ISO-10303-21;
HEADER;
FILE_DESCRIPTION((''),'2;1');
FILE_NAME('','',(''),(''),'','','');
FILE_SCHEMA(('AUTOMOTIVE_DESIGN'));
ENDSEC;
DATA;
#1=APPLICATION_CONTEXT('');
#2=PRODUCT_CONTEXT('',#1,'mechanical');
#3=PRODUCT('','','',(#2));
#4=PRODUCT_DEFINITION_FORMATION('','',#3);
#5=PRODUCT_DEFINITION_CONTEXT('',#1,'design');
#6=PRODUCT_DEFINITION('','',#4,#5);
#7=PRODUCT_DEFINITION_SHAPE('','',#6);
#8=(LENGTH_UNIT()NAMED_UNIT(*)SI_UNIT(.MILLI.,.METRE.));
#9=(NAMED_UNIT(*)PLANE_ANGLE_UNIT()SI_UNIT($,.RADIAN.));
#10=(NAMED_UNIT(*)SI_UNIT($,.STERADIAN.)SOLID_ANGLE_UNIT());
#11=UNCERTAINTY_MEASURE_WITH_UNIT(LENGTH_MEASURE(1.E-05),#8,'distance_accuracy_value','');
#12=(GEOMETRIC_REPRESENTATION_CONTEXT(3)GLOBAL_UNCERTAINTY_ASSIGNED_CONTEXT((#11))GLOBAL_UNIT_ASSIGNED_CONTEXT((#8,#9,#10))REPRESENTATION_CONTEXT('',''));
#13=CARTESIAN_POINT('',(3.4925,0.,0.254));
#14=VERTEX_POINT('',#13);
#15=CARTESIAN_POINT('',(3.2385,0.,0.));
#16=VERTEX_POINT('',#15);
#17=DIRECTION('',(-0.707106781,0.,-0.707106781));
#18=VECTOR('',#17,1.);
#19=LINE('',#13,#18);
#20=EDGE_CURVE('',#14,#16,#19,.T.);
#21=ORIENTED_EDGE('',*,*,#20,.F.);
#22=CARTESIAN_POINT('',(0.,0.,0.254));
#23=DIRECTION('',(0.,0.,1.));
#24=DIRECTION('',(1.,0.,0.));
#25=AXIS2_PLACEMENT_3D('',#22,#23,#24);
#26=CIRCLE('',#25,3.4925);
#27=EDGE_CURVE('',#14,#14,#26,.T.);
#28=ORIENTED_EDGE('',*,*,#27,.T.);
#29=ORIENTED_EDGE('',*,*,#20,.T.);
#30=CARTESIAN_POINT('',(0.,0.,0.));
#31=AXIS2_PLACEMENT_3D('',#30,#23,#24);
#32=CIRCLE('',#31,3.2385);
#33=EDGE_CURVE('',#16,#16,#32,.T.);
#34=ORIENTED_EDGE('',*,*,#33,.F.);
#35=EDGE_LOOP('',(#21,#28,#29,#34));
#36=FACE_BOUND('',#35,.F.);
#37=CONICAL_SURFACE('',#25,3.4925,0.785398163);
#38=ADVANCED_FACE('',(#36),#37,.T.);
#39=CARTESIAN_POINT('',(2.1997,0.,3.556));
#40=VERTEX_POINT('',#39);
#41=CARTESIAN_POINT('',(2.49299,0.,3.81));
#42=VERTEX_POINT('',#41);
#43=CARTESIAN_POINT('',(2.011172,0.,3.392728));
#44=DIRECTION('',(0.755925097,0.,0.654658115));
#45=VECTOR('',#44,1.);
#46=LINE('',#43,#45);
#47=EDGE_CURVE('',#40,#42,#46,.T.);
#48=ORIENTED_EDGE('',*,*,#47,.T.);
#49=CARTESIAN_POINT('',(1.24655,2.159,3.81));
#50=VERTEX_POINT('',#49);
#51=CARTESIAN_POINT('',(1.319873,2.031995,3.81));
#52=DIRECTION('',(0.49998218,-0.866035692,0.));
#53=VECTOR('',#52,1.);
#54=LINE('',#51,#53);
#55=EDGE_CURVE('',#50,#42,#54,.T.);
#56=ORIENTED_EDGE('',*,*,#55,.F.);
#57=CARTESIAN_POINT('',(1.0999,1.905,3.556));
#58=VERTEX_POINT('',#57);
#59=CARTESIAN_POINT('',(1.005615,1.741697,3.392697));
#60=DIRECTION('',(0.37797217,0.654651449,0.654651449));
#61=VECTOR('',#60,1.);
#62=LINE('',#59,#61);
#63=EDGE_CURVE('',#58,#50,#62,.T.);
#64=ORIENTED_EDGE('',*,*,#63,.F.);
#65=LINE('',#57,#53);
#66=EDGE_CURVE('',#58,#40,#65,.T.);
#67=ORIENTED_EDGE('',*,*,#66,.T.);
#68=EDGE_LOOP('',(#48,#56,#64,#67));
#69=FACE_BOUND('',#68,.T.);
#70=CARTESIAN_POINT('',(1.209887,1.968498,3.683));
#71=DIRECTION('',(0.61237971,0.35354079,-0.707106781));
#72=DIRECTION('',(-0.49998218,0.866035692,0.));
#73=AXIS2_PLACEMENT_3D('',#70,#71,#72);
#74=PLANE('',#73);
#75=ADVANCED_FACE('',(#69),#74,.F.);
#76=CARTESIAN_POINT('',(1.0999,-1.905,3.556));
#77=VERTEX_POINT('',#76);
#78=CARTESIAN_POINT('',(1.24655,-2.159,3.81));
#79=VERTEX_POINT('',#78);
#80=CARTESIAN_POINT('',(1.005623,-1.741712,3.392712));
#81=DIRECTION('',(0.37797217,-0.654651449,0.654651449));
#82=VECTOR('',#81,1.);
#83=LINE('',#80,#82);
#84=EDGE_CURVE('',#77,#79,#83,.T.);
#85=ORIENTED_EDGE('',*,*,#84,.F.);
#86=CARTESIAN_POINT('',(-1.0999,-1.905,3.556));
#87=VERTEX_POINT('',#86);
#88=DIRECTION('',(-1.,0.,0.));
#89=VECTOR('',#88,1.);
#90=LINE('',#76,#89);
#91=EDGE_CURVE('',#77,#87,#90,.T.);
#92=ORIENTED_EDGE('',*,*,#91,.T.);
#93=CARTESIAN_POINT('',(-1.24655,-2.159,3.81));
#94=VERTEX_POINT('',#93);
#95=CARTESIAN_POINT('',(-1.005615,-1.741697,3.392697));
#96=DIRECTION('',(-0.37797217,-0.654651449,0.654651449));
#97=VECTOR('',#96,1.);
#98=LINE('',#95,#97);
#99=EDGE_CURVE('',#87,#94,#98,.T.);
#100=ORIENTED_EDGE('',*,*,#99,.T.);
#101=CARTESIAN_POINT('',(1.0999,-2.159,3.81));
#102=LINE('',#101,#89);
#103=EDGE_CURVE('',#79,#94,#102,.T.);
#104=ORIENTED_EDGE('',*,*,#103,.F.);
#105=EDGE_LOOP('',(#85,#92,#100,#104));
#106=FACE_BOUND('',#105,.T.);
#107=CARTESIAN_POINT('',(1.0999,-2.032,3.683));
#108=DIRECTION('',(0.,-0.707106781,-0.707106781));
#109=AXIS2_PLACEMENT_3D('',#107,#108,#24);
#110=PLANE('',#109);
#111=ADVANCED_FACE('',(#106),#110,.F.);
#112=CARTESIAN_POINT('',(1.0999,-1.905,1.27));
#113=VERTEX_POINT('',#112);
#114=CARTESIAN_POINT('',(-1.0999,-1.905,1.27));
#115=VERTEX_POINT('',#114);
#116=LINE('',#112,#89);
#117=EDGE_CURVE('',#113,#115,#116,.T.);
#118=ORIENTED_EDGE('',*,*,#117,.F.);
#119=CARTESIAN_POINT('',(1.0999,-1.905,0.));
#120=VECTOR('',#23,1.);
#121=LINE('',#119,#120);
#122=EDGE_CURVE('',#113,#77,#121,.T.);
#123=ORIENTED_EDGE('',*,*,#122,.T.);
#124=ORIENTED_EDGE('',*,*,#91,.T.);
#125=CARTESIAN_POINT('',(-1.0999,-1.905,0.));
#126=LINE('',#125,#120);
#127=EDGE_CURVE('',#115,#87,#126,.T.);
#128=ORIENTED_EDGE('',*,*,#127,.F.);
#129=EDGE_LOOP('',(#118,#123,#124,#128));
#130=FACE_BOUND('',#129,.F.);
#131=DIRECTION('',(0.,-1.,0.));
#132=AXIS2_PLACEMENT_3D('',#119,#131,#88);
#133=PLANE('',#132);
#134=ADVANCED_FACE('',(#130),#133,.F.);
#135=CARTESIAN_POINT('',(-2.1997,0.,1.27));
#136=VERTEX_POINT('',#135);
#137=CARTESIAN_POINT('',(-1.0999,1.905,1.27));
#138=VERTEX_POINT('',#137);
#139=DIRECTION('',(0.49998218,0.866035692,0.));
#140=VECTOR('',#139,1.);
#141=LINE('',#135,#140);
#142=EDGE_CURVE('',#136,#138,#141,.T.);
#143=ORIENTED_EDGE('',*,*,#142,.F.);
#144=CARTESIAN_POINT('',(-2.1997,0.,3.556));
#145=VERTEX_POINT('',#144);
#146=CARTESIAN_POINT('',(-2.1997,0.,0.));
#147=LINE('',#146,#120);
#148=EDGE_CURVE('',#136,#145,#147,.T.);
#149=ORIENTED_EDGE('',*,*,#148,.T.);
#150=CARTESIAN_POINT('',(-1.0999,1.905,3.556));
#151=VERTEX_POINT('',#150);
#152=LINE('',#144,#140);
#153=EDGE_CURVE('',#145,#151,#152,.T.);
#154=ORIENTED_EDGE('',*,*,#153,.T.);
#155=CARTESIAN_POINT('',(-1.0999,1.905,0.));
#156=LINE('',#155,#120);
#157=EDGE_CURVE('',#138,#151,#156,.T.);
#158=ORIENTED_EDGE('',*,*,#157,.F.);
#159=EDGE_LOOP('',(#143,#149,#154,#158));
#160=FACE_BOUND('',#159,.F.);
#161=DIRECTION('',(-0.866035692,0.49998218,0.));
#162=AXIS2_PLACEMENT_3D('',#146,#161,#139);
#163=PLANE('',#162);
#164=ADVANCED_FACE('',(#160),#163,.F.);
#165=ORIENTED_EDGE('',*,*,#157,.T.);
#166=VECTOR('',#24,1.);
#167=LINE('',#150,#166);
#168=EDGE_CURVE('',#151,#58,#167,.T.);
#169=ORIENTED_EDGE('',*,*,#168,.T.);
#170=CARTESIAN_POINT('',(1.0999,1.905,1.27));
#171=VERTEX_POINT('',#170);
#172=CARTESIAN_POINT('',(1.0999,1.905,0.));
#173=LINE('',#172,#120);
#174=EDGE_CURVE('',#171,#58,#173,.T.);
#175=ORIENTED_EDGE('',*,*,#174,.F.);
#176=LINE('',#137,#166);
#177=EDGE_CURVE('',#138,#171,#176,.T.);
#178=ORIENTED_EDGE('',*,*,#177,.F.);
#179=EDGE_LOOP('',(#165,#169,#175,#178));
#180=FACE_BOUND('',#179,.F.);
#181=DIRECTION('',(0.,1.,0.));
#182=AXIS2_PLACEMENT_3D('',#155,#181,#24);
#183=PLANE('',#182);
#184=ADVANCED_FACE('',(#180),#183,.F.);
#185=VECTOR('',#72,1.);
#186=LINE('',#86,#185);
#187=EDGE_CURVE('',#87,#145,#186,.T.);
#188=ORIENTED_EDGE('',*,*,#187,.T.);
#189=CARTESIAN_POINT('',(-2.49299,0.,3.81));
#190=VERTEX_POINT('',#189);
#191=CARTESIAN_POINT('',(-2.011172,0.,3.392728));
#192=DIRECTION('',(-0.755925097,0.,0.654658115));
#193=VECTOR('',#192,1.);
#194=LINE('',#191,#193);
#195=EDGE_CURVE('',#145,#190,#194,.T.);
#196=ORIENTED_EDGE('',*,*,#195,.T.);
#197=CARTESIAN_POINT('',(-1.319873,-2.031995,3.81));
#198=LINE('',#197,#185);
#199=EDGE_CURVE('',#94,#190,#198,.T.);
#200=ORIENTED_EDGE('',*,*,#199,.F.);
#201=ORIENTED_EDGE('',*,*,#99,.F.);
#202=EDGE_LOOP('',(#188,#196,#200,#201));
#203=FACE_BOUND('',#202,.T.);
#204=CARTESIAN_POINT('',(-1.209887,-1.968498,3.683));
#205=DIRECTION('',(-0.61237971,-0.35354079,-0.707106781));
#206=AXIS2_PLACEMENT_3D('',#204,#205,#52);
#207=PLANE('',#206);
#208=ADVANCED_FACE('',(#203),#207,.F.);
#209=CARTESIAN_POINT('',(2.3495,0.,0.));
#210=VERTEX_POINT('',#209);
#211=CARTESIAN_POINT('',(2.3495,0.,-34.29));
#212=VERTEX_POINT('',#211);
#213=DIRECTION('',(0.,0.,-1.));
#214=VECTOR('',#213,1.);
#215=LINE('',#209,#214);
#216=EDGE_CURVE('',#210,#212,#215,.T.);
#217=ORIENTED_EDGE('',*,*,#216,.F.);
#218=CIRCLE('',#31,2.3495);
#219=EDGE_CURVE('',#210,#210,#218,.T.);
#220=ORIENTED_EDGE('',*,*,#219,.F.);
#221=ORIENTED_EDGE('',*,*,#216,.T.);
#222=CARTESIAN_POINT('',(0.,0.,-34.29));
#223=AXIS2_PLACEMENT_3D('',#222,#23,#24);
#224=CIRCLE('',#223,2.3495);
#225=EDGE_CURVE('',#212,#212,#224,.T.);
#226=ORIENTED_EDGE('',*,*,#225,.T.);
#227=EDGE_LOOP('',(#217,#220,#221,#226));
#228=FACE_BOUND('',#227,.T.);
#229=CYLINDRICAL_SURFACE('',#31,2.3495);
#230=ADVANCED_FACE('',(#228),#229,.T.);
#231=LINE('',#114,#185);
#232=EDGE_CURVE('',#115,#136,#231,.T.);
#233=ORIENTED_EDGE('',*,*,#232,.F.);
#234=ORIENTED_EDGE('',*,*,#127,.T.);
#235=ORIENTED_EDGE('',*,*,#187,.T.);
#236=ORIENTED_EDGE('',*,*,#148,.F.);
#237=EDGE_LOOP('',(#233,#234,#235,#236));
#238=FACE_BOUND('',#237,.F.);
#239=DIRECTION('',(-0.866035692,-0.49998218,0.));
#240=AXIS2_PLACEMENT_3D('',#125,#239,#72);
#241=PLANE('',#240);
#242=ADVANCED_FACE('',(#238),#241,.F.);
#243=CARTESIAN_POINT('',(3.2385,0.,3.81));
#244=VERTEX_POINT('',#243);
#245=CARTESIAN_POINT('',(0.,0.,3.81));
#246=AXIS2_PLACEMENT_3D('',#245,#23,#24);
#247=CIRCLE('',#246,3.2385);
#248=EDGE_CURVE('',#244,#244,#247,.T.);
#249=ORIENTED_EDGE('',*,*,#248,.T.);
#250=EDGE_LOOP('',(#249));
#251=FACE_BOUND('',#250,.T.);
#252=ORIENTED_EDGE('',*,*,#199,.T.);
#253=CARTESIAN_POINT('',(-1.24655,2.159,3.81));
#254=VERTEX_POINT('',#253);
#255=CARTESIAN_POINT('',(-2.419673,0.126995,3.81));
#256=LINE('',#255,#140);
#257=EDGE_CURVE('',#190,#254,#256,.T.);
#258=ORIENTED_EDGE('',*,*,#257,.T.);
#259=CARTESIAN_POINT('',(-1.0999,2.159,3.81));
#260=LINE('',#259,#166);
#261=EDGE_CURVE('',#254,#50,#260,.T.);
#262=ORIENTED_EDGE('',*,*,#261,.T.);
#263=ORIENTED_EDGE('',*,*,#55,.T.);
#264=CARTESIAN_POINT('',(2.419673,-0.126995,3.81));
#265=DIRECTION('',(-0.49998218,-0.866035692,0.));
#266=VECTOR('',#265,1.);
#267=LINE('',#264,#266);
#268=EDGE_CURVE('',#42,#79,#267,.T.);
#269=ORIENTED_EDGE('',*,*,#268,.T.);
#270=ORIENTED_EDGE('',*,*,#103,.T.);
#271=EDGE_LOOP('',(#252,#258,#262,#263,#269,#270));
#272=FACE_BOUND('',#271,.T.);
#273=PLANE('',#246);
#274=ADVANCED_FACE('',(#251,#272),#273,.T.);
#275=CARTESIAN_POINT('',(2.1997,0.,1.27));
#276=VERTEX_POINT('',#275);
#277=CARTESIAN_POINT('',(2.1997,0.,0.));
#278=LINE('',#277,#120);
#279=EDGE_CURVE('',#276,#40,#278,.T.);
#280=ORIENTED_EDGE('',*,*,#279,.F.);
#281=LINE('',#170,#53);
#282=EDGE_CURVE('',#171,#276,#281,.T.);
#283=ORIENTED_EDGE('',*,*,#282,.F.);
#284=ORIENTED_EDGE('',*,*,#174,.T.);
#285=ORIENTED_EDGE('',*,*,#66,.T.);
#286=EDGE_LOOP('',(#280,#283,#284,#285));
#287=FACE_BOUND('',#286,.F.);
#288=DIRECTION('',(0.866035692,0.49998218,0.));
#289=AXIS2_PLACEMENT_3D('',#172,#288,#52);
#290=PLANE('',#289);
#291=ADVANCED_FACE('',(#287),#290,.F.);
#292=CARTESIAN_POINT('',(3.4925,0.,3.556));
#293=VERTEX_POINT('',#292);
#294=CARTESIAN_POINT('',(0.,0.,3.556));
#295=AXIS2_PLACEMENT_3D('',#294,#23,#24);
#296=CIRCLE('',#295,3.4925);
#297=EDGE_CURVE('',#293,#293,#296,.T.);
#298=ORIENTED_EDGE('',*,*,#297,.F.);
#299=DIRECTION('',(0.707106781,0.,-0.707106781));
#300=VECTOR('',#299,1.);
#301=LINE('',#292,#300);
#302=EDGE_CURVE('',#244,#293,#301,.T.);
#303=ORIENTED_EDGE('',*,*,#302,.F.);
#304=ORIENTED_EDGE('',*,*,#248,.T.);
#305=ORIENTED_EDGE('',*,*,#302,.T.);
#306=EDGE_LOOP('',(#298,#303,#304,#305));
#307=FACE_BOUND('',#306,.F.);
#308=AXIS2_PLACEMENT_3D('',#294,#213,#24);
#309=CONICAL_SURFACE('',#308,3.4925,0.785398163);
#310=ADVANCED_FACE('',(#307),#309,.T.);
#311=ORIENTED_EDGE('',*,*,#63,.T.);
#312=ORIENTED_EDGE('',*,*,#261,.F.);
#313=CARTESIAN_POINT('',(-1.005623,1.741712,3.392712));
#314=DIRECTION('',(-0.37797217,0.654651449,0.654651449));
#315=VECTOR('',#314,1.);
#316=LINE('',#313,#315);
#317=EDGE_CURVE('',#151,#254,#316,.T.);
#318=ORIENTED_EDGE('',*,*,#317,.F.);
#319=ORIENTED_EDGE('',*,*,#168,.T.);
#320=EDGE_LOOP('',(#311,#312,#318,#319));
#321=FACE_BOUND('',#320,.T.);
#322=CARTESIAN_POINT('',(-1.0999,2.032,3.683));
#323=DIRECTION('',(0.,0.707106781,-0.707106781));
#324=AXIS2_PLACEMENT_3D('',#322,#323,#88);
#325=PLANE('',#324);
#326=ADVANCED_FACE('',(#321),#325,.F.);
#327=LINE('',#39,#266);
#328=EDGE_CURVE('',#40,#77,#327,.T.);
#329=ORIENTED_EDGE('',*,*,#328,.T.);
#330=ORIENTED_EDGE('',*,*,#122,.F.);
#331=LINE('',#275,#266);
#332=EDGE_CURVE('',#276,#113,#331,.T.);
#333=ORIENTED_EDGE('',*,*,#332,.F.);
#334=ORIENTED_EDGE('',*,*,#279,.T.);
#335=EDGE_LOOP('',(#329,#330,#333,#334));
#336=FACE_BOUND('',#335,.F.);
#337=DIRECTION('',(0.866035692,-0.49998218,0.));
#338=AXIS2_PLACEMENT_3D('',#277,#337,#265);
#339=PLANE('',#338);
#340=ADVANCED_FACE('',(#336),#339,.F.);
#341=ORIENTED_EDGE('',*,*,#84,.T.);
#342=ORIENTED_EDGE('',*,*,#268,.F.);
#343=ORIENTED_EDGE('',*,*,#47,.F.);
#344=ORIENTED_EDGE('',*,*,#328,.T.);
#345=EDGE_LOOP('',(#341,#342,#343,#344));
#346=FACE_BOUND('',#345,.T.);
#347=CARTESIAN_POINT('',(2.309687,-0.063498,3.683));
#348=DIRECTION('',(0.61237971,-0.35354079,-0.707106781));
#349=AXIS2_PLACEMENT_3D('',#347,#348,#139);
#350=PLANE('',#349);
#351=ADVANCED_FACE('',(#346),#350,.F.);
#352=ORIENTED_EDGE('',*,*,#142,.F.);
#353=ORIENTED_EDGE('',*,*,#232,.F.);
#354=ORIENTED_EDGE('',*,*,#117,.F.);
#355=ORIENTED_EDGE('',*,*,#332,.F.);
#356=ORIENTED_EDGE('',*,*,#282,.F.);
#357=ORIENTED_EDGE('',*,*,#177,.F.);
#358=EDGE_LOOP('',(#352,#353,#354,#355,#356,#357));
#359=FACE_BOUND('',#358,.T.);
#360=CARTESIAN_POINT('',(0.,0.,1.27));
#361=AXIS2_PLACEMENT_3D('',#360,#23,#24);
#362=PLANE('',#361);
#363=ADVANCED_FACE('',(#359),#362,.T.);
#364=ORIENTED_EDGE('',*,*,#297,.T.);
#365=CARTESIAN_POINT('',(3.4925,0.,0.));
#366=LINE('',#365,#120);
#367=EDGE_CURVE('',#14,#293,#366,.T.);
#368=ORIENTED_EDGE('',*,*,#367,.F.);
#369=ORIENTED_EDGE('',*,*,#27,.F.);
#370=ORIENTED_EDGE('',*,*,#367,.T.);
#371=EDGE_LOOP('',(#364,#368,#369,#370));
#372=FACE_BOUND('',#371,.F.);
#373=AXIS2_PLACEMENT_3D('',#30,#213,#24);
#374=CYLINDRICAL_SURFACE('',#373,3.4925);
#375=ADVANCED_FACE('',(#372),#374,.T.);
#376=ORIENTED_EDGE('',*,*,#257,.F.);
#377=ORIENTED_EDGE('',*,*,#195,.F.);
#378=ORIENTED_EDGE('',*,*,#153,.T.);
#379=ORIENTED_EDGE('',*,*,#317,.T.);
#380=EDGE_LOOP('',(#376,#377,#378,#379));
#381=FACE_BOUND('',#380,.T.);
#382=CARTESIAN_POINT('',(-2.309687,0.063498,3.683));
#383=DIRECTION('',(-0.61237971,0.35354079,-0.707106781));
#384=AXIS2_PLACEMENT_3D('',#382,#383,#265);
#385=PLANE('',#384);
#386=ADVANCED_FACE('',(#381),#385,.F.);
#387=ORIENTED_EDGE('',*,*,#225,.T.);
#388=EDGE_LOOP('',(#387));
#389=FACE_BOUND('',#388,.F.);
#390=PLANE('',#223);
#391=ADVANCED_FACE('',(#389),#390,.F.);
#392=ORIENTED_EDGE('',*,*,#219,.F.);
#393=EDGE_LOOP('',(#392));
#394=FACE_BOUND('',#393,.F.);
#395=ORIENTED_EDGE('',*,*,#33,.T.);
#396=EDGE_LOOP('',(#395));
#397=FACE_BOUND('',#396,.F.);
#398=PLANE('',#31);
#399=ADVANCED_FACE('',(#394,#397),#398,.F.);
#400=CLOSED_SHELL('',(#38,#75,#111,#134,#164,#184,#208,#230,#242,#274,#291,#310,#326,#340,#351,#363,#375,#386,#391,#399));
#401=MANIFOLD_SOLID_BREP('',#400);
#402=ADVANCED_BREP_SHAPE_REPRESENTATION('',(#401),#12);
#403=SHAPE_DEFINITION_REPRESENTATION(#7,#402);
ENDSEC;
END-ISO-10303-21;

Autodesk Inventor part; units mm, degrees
ref_plane "YZ Plane" through (0, 0, 0) normal (1, 0, 0) x (0, 1, 0)
ref_plane "XZ Plane" through (0, 0, 0) normal (0, 1, 0) x (-1, 0, 0)
ref_plane "XY Plane" through (0, 0, 0) normal (0, 0, 1) x (1, 0, 0)
sketch "Sketch1" plane through (0, 0, 0) normal (0, 0, 1) x (1, 0, 0)
  circle A0 centre (0, 0) radius 3.4925
  circle A1 centre (0, 0) radius 2.3495
  line L0 (2.1997, 0) -> (1.0999, -1.905)
  line L1 (1.0999, -1.905) -> (-1.0999, -1.905)
  line L2 (-1.0999, -1.905) -> (-2.1997, 0)
  line L3 (-2.1997, 0) -> (-1.0999, 1.905)
  line L4 (-1.0999, 1.905) -> (1.0999, 1.905)
  line L5 (1.0999, 1.905) -> (2.1997, 0)
  dimension "d0" = 6.985
  dimension "d1" = 4.699
  dimension "d2" = 3.81
extrude "Extrusion1" add sketch "Sketch1" along normal blind 3.81 contours A0 | A1
extrude "Extrusion2" add sketch "Sketch1" against normal blind 34.29 contours A1 | L0 L1 L2 L3 L4 L5
extrude "Extrusion3" add sketch "Sketch1" along normal blind 1.27 contours L0 L1 L2 L3 L4 L5
thread "Thread1" size "10-32 UNF" class "2A" standard "ANSI Unified Screw Threads" full length
chamfer "Chamfer1" distance 0.254 angle 45 8 edges at (-3.4925, 0, 3.81) (-3.4925, 0, 0) (-1.6498, 0.9525, 3.81) (-1.6498, -0.9525, 3.81) (0, -1.905, 3.81) (1.6498, -0.9525, 3.81) (1.6498, 0.9525, 3.81) (0, 1.905, 3.81)
properties part number "Gearbox Hex Machine Screw 2" material "Steel"
